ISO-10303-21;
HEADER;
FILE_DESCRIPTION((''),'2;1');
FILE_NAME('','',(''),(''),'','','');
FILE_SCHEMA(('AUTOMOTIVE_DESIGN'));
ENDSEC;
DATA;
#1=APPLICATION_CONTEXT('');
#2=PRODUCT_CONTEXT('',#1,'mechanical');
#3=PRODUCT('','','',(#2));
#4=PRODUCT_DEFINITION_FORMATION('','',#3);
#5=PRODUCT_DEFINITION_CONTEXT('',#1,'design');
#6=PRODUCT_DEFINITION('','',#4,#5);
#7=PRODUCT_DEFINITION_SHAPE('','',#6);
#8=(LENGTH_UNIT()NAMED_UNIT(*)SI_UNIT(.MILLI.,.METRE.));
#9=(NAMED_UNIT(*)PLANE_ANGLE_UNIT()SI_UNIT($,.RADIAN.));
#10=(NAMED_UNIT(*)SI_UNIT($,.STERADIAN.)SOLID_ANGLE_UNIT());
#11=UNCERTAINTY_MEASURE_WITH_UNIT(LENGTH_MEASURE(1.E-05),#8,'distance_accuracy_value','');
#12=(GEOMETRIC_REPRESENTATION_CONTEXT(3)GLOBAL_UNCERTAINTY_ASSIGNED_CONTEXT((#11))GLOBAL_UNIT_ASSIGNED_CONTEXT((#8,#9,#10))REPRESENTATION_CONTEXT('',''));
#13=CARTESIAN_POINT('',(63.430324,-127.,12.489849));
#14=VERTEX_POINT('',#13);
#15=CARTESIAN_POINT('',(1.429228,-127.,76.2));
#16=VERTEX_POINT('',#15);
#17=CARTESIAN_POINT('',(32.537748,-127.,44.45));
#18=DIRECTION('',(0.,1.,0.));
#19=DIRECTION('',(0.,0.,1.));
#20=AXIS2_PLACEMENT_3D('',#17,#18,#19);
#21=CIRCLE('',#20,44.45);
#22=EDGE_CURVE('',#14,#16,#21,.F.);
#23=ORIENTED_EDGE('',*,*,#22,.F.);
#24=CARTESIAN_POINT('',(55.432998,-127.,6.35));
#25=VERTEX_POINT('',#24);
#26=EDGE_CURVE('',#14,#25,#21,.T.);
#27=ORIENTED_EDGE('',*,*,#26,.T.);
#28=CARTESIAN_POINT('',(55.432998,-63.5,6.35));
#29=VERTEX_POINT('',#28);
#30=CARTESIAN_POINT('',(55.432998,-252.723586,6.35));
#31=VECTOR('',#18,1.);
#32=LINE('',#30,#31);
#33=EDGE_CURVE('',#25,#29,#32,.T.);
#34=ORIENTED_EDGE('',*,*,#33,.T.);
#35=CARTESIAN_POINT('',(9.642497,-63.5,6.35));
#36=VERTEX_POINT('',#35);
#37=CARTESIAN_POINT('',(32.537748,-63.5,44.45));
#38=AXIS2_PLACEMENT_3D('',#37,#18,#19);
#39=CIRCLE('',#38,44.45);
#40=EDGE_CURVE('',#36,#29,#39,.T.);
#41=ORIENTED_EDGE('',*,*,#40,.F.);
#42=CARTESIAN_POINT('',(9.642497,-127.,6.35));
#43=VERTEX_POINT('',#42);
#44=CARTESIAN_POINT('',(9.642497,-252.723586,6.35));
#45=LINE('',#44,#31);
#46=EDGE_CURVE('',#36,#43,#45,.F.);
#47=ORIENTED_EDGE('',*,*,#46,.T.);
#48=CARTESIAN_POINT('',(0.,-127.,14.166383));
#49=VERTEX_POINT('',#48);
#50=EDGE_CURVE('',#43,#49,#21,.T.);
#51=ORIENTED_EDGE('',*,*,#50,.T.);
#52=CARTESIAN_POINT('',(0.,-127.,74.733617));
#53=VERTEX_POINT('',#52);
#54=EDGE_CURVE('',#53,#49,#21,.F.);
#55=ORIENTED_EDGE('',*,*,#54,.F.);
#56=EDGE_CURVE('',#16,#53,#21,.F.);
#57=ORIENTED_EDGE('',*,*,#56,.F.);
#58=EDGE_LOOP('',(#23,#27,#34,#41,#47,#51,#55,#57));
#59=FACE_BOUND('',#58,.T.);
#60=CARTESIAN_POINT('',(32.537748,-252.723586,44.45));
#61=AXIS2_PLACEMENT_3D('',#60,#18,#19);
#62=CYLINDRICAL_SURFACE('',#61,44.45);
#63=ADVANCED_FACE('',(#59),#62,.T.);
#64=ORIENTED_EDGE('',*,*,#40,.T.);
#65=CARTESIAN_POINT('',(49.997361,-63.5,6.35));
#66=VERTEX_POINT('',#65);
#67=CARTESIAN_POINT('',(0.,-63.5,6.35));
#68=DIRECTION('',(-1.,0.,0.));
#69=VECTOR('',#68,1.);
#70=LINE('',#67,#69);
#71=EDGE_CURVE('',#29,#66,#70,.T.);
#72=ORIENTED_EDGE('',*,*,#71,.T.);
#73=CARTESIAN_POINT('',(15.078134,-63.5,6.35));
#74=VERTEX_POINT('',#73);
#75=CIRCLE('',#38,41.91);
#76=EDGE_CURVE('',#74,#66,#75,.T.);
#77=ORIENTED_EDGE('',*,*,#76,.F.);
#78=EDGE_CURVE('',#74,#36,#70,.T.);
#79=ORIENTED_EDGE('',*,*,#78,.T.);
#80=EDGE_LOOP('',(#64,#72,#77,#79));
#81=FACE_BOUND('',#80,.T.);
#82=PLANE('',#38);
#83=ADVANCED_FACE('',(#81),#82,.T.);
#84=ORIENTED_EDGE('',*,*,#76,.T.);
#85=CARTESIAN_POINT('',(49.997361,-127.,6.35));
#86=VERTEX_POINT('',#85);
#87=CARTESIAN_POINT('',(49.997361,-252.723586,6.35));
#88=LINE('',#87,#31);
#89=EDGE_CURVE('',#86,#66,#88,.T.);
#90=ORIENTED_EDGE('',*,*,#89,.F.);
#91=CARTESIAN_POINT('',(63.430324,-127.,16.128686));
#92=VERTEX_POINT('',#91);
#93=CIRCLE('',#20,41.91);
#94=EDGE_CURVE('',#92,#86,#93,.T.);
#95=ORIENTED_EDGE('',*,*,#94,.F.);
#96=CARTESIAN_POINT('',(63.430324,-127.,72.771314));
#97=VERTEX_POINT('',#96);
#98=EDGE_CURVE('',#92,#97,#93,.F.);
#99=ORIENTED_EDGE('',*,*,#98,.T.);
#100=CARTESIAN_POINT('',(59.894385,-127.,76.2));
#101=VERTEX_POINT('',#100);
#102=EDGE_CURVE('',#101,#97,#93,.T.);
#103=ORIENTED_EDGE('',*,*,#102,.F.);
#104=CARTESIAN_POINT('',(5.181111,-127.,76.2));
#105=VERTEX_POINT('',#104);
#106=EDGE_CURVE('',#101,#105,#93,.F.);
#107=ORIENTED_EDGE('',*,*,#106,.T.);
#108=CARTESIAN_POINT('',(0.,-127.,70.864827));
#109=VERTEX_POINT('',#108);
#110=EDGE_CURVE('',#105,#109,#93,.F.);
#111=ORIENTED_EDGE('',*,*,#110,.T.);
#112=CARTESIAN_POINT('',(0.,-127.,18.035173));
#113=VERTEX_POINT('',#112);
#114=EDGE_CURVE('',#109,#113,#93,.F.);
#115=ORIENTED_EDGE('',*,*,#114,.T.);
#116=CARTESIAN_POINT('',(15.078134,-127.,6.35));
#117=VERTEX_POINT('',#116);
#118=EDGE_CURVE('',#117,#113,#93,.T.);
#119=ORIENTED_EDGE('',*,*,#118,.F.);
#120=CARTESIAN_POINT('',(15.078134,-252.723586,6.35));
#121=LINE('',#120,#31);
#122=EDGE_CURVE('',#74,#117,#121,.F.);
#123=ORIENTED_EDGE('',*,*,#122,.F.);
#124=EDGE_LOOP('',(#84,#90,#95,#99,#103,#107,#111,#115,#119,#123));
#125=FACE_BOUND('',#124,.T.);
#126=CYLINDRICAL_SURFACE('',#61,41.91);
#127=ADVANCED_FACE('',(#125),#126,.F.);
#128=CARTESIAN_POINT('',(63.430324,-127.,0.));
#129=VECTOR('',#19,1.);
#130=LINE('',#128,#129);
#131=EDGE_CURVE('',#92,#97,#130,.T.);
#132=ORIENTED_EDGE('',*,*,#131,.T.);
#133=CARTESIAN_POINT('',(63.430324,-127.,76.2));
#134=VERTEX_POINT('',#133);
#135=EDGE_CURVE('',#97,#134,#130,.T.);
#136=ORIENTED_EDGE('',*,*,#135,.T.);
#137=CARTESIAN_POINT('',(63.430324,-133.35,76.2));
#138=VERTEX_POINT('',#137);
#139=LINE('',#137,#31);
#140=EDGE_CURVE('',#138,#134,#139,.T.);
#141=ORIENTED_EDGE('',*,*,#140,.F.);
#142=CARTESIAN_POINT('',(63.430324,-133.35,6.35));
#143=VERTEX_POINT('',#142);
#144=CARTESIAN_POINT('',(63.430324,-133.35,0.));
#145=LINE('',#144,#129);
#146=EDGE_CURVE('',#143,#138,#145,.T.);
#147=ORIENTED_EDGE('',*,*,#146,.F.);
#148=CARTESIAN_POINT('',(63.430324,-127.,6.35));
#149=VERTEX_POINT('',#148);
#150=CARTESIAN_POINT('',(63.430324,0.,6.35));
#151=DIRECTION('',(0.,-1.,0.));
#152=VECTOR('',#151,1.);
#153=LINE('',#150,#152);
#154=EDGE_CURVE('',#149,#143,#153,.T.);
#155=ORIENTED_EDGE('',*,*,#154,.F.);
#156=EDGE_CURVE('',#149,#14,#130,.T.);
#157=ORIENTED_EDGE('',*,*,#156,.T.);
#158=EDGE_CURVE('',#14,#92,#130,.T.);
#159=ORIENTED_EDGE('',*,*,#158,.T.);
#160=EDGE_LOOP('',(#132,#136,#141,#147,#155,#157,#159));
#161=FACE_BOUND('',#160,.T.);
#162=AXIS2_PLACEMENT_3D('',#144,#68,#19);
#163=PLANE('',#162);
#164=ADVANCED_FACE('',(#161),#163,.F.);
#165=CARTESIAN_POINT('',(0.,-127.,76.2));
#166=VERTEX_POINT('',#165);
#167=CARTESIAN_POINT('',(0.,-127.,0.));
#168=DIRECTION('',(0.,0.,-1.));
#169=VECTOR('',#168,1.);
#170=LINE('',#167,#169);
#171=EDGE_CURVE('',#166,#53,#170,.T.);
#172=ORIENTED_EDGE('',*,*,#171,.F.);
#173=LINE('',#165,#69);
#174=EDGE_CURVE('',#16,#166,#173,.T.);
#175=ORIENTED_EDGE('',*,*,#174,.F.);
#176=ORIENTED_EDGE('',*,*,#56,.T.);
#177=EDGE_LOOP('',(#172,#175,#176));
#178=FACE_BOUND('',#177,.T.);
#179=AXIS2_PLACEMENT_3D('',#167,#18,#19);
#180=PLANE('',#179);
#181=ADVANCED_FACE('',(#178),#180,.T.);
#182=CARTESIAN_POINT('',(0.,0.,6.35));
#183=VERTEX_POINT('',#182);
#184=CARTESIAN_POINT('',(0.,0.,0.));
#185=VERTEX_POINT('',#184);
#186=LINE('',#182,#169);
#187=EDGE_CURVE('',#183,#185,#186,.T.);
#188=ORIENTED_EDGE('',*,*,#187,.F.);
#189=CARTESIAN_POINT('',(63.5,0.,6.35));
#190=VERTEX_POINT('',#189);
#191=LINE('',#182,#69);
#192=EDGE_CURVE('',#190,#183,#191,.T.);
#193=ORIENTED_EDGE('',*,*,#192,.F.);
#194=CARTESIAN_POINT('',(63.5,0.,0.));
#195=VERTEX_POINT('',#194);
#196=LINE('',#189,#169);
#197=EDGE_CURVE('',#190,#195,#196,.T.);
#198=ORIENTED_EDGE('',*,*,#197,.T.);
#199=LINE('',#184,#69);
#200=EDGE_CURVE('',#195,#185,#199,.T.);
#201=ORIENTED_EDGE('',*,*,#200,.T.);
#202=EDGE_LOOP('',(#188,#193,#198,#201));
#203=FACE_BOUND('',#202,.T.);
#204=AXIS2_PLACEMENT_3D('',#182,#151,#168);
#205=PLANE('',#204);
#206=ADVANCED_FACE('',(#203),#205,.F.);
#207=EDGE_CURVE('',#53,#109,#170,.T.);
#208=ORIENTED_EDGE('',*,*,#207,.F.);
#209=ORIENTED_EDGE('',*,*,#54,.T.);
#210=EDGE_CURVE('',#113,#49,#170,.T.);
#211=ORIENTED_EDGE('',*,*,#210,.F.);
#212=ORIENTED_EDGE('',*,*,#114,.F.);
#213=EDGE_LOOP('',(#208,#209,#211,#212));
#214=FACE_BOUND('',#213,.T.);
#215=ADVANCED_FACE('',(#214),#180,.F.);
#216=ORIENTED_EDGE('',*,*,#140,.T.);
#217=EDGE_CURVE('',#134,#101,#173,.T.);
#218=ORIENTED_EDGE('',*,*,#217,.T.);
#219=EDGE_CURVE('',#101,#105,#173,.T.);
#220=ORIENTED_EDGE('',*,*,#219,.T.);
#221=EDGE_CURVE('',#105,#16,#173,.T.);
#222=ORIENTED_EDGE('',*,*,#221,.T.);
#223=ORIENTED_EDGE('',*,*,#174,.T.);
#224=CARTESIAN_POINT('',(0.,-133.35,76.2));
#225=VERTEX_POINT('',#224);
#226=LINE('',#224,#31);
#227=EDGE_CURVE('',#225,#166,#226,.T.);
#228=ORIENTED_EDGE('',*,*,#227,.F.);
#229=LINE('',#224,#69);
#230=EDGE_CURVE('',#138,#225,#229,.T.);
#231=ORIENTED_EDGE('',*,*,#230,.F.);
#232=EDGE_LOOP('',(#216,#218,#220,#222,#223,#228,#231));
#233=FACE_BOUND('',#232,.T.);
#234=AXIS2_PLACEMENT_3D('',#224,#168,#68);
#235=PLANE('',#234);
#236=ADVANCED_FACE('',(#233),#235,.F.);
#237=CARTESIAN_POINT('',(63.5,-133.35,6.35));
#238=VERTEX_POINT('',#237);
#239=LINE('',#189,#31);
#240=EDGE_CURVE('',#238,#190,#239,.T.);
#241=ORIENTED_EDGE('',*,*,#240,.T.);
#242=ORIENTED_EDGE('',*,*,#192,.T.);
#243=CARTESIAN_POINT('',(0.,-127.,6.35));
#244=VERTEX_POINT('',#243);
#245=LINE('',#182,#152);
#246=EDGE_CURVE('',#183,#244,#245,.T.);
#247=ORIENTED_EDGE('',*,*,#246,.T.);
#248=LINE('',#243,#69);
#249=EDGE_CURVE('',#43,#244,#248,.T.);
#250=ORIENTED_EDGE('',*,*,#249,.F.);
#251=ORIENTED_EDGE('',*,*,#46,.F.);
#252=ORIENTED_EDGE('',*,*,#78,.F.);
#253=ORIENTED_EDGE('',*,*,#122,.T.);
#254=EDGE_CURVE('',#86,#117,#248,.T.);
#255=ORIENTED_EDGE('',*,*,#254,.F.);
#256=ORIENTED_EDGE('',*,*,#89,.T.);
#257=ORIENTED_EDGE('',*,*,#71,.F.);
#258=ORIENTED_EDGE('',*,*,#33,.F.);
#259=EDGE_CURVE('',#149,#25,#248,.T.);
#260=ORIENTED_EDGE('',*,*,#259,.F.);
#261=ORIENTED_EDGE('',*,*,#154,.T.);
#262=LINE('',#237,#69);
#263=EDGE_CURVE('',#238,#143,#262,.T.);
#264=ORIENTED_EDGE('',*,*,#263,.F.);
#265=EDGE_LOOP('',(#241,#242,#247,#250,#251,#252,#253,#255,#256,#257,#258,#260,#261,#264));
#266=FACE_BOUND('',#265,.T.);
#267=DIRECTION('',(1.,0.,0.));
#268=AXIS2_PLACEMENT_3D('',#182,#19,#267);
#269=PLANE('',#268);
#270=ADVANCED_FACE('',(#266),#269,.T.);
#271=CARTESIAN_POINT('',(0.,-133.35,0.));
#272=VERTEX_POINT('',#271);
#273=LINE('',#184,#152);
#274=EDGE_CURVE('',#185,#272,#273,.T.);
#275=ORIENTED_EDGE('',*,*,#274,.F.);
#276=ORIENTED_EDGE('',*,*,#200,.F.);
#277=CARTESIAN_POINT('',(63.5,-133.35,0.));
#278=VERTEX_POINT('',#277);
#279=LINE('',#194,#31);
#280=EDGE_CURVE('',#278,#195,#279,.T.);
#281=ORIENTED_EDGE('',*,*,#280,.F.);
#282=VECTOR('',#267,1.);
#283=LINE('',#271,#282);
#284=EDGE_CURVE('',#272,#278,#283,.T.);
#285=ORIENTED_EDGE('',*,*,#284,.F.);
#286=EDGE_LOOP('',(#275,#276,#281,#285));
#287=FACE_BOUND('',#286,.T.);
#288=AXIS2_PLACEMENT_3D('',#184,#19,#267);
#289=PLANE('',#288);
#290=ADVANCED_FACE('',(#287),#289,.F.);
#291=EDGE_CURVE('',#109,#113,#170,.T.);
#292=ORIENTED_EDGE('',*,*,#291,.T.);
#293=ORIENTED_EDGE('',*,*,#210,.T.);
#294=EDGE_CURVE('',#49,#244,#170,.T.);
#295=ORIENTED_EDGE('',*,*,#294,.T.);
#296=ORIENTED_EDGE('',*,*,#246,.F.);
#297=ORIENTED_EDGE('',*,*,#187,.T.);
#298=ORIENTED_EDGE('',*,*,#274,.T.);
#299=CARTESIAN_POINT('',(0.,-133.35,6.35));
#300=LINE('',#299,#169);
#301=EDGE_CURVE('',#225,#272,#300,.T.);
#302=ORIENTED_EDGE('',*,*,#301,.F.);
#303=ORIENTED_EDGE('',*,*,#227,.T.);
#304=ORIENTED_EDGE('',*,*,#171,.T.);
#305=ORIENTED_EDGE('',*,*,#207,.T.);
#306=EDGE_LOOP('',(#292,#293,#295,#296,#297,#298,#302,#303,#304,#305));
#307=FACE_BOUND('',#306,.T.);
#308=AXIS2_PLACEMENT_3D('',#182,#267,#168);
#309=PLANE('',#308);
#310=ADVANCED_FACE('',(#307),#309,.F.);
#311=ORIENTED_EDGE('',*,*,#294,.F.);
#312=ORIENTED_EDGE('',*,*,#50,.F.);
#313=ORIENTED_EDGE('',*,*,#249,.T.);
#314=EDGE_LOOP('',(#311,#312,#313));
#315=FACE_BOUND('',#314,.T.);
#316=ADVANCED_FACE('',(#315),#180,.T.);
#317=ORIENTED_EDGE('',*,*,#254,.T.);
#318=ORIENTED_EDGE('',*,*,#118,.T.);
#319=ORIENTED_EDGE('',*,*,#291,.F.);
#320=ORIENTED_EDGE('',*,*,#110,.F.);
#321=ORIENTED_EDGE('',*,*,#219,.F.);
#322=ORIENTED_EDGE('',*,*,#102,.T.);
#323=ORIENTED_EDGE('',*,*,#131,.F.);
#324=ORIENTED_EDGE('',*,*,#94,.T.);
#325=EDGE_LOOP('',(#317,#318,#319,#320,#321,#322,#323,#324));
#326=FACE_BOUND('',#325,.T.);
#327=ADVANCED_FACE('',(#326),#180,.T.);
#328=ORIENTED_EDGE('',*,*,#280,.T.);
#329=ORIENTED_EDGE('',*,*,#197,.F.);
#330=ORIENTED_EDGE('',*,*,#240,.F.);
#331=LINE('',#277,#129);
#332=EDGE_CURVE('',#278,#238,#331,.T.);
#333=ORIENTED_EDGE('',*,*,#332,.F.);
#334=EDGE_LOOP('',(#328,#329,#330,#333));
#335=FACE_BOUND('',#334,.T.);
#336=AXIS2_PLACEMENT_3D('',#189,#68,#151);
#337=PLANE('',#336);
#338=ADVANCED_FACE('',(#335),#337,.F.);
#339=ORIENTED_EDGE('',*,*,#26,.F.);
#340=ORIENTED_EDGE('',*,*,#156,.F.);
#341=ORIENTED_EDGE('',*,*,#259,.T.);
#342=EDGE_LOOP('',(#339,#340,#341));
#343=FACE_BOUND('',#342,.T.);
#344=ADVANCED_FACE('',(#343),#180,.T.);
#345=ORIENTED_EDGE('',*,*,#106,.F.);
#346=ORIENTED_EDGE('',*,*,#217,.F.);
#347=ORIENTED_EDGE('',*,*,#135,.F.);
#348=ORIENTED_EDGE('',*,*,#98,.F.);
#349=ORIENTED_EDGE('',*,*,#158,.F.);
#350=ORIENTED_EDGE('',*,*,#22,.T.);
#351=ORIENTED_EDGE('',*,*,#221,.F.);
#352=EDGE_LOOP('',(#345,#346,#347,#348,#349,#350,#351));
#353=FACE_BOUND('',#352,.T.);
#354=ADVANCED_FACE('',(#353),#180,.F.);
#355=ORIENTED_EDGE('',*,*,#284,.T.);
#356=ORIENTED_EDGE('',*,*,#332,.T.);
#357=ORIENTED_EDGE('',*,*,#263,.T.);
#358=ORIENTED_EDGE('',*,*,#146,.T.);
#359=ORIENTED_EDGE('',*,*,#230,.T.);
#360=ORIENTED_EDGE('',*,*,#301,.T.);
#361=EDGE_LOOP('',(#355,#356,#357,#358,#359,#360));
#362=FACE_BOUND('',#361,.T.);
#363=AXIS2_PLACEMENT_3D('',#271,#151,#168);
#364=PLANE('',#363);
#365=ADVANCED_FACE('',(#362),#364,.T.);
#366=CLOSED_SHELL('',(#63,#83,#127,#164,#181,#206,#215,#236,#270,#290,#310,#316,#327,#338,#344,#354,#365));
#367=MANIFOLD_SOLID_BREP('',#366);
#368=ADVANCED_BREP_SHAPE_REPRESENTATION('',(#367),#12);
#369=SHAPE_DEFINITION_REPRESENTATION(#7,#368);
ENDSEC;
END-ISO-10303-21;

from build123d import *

# Parameters (mm, degrees)
SKETCH1_W           = 63.5
SKETCH1_H           = 127
BOSS_EXTRUDE1_DEPTH = 6.35
SKETCH2_W           = 63.430323736
SKETCH2_H           = 76.2
BOSS_EXTRUDE2_DEPTH = 6.35
SKETCH3_W           = 63.5
SKETCH3_H           = 6.35
BOSS_EXTRUDE3_DEPTH = 6.35
SKETCH4_R           = 44.45
SKETCH4_R_2         = 41.91
BOSS_EXTRUDE4_DEPTH = 63.5


with BuildPart() as part:
    # Sketch1 → Boss-Extrude1 (new body)
    with BuildSketch(Plane.XY):
        with Locations((31.75, -63.5)):
            Rectangle(SKETCH1_W, SKETCH1_H)
    extrude(amount=BOSS_EXTRUDE1_DEPTH)



with BuildPart() as body_2:
    # Sketch2 → Boss-Extrude2 (new body)
    with BuildSketch(Plane.XZ.offset(127)):
        with Locations((31.715161868, 38.1)):
            Rectangle(SKETCH2_W, SKETCH2_H)
    extrude(amount=BOSS_EXTRUDE2_DEPTH)


with BuildPart() as part_1:
    add(part.part)

    add(body_2.part)  # Boss-Extrude3 merges body 2
    # Sketch3 → Boss-Extrude3 (add)
    with BuildSketch(Plane.XZ.offset(127)):
        with Locations((31.75, 3.175)):
            Rectangle(SKETCH3_W, SKETCH3_H)
    extrude(amount=BOSS_EXTRUDE3_DEPTH)

    # Sketch4 → Boss-Extrude4 (add)
    with BuildSketch(Plane(origin=(0, -63.5, 0), x_dir=(1, 0, 0), z_dir=(0, 1, 0))):
        with Locations((32.537747745, -44.45)):
            Circle(SKETCH4_R)
        with Locations((32.537747745, -44.45)):
            Circle(SKETCH4_R_2, mode=Mode.SUBTRACT)
    extrude(amount=-BOSS_EXTRUDE4_DEPTH)


solid = part_1.part
